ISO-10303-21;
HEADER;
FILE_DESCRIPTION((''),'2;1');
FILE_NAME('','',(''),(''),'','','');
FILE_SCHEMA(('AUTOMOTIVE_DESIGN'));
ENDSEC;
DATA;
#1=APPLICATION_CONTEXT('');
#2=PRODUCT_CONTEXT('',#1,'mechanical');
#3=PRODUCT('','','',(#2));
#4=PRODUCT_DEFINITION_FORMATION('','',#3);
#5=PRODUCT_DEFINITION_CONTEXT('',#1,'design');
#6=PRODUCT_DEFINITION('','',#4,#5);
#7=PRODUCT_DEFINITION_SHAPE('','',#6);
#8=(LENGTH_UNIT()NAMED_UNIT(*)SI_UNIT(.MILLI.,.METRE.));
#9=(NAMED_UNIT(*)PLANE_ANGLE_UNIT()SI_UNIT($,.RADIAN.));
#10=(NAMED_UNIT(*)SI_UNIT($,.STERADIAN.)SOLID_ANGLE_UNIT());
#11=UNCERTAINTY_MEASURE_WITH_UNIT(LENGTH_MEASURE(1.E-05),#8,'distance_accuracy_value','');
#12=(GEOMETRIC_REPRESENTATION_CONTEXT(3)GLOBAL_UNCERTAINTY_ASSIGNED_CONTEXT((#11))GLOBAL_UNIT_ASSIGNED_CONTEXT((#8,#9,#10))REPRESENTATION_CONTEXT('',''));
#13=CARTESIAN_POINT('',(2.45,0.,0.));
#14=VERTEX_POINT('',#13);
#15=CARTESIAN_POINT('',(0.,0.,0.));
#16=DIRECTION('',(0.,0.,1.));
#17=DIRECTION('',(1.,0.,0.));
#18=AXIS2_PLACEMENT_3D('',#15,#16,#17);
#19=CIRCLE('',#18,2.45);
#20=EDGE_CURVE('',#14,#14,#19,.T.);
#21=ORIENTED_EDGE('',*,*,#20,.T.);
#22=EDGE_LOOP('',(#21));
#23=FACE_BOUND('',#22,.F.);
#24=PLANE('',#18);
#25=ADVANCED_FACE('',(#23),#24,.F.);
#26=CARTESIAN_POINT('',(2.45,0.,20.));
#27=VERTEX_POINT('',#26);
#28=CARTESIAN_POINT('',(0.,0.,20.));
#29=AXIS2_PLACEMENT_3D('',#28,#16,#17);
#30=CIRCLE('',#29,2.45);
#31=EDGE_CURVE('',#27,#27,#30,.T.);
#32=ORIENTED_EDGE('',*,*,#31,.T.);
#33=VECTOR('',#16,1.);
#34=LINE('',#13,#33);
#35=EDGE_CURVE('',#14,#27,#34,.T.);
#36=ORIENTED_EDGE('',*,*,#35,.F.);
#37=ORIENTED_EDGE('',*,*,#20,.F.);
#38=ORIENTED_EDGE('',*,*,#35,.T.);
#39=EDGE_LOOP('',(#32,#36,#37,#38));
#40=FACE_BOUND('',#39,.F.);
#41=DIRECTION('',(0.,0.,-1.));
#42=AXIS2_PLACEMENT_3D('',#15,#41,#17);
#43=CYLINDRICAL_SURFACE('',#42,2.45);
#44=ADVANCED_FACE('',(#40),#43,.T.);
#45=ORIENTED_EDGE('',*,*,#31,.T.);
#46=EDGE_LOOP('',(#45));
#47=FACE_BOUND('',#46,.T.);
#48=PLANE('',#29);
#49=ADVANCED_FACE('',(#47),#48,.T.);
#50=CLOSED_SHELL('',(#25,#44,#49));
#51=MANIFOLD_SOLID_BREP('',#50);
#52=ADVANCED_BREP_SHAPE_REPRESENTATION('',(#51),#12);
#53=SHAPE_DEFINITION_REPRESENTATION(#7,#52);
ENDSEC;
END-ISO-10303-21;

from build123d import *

# Parameters (mm, degrees)
CYLINDER_R     = 2.45
CYLINDER_DEPTH = 20


with BuildPart() as part:
    # Cylinder → Cylinder (join)
    with BuildSketch(Plane.XY):
        Circle(CYLINDER_R)
    extrude(amount=CYLINDER_DEPTH)


solid = part.part
